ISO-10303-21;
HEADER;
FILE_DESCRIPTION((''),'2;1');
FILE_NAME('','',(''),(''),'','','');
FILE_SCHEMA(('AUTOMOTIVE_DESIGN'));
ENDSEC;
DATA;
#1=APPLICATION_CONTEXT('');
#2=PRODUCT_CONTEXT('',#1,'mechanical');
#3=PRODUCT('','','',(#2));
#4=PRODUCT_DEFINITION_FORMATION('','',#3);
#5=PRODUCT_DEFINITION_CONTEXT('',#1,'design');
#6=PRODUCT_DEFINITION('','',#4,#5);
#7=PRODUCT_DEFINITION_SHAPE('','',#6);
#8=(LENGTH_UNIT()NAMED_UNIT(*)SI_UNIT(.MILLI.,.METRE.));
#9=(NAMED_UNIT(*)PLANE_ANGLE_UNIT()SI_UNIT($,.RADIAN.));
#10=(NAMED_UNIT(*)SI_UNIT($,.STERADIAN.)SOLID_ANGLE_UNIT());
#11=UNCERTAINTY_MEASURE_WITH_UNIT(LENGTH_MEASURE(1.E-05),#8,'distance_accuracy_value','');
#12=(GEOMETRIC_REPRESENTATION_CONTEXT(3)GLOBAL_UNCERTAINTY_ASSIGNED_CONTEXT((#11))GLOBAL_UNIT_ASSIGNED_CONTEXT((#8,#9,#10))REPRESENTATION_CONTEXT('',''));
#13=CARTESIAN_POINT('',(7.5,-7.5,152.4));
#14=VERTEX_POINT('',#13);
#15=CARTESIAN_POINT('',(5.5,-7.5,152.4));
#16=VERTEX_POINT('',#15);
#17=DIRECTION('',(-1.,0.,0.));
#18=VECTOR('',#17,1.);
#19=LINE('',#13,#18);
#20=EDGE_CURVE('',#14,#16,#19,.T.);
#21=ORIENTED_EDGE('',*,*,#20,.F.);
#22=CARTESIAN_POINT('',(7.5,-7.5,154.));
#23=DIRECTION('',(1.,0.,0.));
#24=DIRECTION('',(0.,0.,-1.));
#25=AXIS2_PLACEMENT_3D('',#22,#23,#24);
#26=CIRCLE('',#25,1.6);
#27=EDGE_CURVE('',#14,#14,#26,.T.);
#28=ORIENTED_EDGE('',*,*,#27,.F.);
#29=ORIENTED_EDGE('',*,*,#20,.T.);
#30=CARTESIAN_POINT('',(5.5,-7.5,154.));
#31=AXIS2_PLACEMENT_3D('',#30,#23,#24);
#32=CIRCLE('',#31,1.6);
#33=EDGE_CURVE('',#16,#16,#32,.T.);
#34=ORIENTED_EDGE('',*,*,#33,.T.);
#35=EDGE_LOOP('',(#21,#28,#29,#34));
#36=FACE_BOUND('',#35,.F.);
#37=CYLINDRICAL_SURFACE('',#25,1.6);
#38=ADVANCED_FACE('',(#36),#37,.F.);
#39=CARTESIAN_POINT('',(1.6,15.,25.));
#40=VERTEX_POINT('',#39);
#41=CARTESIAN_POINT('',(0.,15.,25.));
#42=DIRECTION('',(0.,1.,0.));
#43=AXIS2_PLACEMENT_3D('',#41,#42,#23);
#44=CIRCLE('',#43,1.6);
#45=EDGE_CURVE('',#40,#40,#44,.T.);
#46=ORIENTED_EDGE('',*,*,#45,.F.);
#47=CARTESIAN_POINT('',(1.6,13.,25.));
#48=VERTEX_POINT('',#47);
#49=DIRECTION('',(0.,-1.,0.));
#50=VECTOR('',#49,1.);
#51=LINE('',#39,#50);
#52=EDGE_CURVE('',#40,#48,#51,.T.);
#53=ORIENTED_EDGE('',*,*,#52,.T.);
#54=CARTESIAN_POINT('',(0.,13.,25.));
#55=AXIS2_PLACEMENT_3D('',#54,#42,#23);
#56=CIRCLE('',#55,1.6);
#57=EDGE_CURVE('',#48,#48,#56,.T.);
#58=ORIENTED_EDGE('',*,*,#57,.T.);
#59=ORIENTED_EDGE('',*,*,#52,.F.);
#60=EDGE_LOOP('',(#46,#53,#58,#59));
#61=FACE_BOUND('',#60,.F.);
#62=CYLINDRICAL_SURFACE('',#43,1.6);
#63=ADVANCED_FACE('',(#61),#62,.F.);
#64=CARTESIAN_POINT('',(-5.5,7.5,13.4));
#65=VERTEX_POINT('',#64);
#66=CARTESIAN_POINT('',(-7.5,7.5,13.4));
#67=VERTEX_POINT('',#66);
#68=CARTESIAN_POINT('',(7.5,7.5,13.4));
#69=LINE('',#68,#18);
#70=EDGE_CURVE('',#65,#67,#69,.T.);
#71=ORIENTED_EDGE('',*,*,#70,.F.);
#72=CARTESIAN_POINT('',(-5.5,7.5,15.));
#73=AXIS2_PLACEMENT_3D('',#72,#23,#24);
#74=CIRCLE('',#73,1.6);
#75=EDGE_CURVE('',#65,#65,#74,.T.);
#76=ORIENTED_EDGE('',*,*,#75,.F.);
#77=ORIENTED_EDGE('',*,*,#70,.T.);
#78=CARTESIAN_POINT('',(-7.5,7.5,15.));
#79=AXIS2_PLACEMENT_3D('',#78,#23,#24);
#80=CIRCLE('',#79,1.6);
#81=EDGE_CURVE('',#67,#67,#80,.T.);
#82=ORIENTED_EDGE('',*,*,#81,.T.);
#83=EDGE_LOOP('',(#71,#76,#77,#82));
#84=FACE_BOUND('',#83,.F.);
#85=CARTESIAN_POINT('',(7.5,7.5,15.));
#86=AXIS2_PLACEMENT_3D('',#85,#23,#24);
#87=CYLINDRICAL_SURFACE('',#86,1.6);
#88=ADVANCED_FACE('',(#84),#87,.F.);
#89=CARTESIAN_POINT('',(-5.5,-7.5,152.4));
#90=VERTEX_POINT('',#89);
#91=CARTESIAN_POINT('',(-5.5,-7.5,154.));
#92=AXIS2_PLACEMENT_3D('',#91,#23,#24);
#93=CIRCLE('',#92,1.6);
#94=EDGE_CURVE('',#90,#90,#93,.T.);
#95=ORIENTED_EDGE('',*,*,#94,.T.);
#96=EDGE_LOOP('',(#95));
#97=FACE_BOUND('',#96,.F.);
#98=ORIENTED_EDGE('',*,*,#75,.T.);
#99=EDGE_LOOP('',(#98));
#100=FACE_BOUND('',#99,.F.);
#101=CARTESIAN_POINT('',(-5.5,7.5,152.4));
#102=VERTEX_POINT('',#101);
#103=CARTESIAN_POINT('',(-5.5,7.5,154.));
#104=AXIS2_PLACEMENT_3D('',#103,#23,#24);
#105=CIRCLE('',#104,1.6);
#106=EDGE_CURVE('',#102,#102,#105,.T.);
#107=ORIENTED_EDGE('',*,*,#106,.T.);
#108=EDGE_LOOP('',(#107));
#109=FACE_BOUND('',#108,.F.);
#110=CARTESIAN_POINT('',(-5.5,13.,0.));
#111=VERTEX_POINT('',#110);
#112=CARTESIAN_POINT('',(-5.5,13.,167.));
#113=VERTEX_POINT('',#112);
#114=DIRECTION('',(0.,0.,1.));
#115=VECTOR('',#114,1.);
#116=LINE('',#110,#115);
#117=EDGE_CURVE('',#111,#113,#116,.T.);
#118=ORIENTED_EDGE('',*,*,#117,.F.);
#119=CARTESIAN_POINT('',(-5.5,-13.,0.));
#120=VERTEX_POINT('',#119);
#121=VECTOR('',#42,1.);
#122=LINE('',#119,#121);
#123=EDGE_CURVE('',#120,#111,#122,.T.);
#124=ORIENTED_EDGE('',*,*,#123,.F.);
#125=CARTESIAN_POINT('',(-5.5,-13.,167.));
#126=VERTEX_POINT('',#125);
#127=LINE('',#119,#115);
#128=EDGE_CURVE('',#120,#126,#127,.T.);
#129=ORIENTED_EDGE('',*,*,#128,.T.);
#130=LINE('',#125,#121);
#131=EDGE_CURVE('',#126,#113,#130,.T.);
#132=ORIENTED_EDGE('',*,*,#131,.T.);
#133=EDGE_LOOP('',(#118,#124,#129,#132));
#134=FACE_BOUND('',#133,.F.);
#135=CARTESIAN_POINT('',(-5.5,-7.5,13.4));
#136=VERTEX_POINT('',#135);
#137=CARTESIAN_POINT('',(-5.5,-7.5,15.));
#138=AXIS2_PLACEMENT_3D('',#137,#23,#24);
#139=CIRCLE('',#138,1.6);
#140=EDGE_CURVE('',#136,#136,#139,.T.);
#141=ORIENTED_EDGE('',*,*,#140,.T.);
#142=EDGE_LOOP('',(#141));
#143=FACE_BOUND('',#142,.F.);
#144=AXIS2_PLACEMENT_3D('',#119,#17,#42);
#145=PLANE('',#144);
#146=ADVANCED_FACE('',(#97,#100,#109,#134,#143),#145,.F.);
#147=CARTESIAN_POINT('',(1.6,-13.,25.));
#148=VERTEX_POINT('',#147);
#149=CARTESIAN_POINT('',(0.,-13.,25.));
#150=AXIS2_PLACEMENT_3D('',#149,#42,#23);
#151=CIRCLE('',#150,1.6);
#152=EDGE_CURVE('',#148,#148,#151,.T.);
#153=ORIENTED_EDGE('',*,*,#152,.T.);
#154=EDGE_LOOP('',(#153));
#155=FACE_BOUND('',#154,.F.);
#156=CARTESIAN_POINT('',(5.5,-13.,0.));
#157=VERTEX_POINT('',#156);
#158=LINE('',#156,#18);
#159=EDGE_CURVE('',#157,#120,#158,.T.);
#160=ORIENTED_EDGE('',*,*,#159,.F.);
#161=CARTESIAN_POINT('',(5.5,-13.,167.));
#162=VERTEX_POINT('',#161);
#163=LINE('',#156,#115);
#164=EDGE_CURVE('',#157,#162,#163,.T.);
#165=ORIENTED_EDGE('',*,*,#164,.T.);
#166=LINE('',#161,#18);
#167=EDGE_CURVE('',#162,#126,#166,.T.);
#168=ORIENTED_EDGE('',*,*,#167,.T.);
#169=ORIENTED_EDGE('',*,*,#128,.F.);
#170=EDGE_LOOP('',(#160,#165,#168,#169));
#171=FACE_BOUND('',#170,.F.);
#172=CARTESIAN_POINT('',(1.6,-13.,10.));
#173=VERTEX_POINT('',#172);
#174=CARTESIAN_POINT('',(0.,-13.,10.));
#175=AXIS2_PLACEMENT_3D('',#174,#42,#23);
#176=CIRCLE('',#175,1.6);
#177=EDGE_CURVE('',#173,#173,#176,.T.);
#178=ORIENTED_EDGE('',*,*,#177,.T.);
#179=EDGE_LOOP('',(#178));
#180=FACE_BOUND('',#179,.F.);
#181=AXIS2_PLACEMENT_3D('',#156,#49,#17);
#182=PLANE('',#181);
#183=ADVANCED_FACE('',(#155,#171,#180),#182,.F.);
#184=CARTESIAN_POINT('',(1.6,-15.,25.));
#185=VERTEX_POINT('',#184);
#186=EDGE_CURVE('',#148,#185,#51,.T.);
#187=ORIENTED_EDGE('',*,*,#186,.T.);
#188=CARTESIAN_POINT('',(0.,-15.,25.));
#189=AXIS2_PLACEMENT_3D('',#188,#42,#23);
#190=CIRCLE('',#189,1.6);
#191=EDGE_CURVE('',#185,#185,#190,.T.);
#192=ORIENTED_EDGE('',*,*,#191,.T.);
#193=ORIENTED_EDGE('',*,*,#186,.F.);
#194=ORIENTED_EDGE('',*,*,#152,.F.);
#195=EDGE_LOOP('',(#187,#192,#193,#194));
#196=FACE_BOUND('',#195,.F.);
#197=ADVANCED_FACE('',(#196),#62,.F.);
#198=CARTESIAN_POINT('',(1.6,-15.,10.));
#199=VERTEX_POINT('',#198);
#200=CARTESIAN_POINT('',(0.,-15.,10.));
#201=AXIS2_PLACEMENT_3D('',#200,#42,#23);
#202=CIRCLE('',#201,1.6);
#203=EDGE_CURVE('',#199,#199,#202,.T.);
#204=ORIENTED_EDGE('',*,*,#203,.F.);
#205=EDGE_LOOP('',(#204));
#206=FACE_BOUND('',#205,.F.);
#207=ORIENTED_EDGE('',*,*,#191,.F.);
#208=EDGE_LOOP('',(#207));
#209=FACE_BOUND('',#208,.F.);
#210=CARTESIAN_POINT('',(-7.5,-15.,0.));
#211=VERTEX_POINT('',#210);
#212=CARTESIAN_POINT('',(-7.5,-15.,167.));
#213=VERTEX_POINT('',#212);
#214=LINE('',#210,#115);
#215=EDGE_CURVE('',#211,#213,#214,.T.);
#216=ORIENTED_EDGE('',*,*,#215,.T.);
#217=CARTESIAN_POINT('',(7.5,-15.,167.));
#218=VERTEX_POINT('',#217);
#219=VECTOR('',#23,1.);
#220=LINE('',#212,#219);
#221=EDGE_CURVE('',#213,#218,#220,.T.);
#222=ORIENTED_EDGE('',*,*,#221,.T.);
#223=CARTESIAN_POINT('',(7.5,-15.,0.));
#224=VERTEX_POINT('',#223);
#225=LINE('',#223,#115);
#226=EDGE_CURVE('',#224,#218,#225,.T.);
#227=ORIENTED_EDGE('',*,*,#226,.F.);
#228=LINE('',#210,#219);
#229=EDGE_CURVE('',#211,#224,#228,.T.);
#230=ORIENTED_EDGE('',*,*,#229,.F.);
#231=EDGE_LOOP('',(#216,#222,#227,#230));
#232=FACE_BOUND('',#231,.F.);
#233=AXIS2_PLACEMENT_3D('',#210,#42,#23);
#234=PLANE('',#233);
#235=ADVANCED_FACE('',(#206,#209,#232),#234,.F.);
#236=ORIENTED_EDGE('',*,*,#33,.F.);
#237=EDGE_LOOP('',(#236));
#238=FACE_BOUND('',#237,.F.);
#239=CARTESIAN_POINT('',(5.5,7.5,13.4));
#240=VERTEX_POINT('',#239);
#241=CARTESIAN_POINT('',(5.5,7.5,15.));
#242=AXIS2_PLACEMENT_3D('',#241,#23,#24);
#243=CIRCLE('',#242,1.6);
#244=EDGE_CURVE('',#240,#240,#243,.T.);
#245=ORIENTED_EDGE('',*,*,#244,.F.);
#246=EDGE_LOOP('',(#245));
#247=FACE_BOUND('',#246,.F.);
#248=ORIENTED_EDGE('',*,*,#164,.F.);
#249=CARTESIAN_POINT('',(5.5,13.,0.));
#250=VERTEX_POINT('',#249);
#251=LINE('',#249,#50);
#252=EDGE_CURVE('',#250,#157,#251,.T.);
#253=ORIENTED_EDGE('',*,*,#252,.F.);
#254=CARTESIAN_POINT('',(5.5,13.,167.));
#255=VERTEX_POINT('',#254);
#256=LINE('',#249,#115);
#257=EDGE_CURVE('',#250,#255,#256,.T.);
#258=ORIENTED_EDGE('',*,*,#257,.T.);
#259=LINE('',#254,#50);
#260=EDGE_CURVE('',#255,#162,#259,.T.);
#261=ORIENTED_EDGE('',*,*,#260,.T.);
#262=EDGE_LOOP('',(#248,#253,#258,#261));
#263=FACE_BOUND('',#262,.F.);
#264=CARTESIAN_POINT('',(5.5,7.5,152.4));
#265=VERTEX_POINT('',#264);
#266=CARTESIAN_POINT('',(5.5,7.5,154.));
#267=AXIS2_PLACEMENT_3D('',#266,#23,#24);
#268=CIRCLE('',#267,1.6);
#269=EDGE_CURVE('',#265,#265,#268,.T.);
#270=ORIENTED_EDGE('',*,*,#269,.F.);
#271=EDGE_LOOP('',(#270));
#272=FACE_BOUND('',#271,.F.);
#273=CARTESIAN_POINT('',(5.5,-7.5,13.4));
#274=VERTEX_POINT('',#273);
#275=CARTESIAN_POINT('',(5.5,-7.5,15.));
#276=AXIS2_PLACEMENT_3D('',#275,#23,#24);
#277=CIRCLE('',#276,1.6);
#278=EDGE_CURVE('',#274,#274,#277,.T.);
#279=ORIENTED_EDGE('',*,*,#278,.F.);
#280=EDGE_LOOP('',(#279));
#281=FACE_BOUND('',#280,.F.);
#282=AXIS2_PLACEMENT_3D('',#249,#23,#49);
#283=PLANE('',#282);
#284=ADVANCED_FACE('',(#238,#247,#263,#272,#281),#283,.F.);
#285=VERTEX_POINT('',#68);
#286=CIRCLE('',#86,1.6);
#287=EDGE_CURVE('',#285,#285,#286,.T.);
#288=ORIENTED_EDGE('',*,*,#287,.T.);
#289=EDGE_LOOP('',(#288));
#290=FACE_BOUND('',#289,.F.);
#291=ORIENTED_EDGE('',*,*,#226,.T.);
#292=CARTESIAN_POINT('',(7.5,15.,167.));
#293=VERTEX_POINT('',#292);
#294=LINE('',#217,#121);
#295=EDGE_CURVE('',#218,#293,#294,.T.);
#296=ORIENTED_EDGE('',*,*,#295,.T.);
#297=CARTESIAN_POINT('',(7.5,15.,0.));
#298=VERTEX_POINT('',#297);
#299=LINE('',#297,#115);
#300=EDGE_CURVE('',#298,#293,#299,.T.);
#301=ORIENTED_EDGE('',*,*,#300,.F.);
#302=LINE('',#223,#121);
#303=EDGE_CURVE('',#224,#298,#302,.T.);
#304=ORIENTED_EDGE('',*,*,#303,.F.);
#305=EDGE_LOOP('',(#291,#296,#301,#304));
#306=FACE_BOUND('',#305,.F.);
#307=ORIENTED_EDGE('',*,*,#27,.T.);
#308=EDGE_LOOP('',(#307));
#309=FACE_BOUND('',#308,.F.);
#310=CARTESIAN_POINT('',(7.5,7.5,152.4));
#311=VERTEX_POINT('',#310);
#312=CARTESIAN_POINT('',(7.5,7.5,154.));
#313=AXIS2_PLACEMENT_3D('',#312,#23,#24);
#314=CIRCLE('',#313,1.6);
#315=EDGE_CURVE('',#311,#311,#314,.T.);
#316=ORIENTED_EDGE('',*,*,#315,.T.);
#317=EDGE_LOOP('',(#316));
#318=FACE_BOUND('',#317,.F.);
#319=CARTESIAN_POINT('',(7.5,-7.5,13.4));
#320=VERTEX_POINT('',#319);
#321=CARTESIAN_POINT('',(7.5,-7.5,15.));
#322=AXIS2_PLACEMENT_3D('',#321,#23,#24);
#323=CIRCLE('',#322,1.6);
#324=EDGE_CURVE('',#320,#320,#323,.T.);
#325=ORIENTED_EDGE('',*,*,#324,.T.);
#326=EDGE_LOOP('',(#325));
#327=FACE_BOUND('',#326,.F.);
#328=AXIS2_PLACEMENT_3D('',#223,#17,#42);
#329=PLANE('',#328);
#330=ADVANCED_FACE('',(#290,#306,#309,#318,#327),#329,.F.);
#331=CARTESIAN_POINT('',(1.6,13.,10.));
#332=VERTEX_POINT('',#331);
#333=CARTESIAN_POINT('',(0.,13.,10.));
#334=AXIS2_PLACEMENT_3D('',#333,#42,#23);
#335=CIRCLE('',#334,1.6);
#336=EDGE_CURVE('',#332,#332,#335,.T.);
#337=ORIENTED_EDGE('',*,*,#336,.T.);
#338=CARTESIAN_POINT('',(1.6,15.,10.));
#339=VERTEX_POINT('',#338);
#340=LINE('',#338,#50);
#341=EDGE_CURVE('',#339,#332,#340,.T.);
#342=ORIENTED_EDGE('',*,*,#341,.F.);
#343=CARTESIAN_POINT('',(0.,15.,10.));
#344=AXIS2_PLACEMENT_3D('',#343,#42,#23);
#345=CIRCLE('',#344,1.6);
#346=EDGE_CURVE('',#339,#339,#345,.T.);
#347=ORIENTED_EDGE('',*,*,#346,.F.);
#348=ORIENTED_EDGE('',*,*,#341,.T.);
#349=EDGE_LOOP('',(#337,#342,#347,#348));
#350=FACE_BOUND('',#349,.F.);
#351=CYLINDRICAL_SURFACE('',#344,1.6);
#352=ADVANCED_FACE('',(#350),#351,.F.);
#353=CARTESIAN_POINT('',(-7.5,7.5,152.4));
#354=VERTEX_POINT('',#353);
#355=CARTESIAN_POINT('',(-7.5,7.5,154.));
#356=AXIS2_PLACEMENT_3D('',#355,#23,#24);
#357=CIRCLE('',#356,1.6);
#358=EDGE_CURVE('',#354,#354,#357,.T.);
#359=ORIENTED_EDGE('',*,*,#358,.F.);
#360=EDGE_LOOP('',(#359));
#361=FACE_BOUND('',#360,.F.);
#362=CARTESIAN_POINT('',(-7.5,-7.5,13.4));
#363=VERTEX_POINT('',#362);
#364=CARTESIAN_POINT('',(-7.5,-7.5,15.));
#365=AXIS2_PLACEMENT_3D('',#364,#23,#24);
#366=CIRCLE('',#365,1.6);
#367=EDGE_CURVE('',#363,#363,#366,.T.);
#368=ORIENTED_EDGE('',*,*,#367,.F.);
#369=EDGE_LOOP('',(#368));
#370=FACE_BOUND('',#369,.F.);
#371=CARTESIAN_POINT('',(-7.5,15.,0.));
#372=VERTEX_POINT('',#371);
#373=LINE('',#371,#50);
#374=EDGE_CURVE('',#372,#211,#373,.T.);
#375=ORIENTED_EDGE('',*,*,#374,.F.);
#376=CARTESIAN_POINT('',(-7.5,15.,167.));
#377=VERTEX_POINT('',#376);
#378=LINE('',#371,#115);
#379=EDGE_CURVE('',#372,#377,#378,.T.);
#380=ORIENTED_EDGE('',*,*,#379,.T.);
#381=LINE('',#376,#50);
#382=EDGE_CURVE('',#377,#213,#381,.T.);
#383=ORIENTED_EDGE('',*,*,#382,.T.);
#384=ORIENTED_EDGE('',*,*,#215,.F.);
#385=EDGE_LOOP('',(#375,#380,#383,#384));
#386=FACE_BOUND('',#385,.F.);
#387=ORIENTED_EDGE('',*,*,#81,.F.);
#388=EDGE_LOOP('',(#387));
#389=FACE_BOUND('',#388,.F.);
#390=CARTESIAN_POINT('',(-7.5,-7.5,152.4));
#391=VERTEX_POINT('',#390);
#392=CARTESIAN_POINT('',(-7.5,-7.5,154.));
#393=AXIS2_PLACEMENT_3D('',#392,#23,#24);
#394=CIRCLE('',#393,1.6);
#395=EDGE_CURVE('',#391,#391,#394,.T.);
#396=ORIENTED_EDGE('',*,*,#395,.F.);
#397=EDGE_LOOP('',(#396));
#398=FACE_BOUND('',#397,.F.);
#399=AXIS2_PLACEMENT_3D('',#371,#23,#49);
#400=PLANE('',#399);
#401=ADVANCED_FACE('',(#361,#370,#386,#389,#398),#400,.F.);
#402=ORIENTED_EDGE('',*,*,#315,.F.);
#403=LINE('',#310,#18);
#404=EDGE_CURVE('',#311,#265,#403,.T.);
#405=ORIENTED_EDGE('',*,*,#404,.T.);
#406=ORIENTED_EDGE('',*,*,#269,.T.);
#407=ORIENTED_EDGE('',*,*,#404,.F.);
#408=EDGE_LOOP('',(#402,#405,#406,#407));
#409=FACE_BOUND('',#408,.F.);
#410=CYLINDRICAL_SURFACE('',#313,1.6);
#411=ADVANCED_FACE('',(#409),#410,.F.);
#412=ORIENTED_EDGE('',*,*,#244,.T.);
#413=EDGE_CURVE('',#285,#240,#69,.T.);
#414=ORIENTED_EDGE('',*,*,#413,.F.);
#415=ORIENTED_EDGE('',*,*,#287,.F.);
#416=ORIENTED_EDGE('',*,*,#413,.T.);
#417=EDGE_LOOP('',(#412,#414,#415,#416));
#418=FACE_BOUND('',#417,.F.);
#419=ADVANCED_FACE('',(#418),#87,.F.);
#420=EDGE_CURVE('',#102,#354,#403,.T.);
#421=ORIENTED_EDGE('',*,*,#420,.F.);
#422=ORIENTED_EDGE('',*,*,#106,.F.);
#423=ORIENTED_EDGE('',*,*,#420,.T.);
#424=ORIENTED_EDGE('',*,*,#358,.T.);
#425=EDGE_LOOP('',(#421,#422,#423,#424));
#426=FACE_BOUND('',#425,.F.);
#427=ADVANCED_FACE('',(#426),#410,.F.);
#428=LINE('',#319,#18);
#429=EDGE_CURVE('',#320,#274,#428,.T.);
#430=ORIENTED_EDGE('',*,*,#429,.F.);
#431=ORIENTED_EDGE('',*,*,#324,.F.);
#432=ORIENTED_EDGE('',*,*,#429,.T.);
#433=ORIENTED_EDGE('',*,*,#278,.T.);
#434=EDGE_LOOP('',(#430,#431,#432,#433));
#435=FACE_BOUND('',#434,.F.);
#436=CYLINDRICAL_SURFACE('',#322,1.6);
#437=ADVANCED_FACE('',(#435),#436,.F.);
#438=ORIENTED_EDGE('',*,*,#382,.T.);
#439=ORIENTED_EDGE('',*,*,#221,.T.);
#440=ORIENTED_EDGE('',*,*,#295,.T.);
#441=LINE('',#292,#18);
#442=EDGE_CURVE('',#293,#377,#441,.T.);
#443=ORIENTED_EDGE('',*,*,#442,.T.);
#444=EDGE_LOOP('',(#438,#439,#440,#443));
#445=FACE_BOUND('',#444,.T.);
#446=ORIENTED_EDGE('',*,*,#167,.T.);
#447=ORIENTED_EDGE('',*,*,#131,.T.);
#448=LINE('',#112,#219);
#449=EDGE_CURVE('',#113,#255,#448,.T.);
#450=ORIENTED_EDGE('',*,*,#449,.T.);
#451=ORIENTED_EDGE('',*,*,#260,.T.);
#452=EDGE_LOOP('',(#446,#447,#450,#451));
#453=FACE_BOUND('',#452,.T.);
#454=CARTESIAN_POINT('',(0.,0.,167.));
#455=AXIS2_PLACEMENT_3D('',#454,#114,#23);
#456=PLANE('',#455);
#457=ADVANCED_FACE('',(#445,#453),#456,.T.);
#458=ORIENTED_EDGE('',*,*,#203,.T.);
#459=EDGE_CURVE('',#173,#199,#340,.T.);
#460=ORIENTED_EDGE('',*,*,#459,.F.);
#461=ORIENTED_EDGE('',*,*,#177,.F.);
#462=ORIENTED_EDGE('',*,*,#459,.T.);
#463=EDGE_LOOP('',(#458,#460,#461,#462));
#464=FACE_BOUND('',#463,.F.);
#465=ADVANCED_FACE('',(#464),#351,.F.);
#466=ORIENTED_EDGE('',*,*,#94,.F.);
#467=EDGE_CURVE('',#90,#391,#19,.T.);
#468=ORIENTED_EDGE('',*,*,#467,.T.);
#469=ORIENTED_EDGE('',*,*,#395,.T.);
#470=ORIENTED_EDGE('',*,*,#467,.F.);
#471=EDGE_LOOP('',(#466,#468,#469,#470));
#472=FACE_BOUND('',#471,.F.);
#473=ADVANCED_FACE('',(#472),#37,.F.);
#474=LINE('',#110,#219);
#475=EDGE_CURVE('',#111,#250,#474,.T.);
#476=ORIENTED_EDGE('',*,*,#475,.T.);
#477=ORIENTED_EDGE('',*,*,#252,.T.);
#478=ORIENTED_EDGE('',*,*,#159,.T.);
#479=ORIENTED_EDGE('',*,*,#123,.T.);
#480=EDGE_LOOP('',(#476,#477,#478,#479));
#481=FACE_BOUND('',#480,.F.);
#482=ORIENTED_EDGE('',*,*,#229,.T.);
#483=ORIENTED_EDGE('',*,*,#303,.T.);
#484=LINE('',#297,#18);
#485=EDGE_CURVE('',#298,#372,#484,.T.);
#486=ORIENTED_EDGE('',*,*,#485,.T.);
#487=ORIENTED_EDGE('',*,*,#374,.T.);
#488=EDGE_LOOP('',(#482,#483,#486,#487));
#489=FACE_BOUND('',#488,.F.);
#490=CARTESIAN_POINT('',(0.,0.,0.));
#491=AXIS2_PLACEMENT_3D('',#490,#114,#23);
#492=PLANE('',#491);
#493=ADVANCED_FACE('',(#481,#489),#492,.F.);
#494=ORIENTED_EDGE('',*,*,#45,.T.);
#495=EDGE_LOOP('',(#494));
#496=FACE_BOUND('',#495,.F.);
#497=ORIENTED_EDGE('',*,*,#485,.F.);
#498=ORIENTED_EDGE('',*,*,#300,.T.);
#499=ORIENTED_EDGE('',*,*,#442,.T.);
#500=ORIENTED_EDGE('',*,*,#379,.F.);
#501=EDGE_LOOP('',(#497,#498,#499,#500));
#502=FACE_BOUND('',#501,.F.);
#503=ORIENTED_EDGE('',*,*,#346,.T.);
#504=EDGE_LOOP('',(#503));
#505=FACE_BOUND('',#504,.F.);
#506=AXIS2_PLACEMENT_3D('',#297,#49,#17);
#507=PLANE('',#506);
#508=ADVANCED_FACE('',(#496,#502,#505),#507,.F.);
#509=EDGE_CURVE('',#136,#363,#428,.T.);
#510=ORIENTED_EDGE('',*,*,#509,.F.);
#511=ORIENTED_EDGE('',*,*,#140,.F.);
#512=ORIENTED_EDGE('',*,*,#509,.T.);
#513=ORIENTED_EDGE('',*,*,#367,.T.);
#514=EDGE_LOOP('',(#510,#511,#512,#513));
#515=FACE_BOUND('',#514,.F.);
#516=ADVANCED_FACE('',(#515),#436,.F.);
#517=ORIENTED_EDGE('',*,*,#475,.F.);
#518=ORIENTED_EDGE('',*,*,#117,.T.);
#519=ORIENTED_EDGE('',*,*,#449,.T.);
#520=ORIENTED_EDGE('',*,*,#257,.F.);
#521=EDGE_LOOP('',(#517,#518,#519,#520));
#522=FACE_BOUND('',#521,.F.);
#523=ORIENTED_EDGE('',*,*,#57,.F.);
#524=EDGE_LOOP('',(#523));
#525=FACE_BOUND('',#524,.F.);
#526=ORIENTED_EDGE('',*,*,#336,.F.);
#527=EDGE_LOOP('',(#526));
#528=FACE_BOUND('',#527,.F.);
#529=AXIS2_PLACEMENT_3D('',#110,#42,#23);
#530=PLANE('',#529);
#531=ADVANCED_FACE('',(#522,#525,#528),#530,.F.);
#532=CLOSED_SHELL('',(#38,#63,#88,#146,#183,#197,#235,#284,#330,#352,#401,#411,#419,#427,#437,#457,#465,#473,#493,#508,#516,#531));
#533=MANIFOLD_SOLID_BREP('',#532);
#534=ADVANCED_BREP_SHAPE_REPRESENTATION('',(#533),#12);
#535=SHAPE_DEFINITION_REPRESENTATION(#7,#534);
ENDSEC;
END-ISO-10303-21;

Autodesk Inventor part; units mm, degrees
ref_plane "YZ Plane" through (0, 0, 0) normal (1, 0, 0) x (0, 1, 0)
ref_plane "XZ Plane" through (0, 0, 0) normal (0, 1, 0) x (-1, 0, 0)
ref_plane "XY Plane" through (0, 0, 0) normal (0, 0, 1) x (1, 0, 0)
sketch "スケッチ1" plane through (0, 0, 0) normal (0, 0, 1) x (1, 0, 0)
  line L0 (7.5, 15) -> (-7.5, 15)
  line L1 (-7.5, 15) -> (-7.5, -15)
  line L2 (-7.5, -15) -> (7.5, -15)
  line L3 (7.5, -15) -> (7.5, 15)
  line L4 (7.5, 15) -> (-7.5, -15) construction
  line L5 (-7.5, 15) -> (7.5, -15) construction
  line L6 (-5.5, 13) -> (5.5, 13)
  line L7 (5.5, 13) -> (5.5, -13)
  line L8 (5.5, -13) -> (-5.5, -13)
  line L9 (-5.5, -13) -> (-5.5, 13)
  point P0 (0, 0)
  dimension "d2" = 15
  dimension "d3" = 30
  dimension "d4" = 2
extrude "押し出し1" add sketch "スケッチ1" along normal blind 167
sketch "スケッチ2" plane through (7.5, -15, 0) normal (1, 0, 0) x (0, 0, -1)
  circle A0 centre (-15, 22.5) radius 1.6
  circle A1 centre (-15, 7.5) radius 1.6
  circle A2 centre (-154, 22.5) radius 1.6
  circle A3 centre (-154, 7.5) radius 1.6
  line L0 (0, 30) -> (-167, 30) projected
  point P0 (0, 15)
  dimension "d7" = 3.2
  dimension "d8" = 3.2
  dimension "d9" = 3.2
  dimension "d10" = 3.2
  dimension "d11" = 15
  dimension "d12" = 15
  dimension "d13" = 7.5
  dimension "d14" = 139
extrude "押し出し2" cut sketch "スケッチ2" against normal through all
sketch "スケッチ4" plane through (-7.5, 15, 0) normal (0, 1, 0) x (1, 0, 0)
  circle A0 centre (7.5, -10) radius 1.6
  circle A1 centre (7.5, -25) radius 1.6
  line L0 (15, 0) -> (0, 0) projected
  point P0 (7.5, 0)
  point P1 (7.5, 0)
  dimension "d17" = 3.2
  dimension "d18" = 3.2
  dimension "d19" = 15
  dimension "d20" = 10
extrude "押し出し3" cut sketch "スケッチ4" against normal through all
properties part number "オムニ_角柱6" material "アルミニウム 6061"
